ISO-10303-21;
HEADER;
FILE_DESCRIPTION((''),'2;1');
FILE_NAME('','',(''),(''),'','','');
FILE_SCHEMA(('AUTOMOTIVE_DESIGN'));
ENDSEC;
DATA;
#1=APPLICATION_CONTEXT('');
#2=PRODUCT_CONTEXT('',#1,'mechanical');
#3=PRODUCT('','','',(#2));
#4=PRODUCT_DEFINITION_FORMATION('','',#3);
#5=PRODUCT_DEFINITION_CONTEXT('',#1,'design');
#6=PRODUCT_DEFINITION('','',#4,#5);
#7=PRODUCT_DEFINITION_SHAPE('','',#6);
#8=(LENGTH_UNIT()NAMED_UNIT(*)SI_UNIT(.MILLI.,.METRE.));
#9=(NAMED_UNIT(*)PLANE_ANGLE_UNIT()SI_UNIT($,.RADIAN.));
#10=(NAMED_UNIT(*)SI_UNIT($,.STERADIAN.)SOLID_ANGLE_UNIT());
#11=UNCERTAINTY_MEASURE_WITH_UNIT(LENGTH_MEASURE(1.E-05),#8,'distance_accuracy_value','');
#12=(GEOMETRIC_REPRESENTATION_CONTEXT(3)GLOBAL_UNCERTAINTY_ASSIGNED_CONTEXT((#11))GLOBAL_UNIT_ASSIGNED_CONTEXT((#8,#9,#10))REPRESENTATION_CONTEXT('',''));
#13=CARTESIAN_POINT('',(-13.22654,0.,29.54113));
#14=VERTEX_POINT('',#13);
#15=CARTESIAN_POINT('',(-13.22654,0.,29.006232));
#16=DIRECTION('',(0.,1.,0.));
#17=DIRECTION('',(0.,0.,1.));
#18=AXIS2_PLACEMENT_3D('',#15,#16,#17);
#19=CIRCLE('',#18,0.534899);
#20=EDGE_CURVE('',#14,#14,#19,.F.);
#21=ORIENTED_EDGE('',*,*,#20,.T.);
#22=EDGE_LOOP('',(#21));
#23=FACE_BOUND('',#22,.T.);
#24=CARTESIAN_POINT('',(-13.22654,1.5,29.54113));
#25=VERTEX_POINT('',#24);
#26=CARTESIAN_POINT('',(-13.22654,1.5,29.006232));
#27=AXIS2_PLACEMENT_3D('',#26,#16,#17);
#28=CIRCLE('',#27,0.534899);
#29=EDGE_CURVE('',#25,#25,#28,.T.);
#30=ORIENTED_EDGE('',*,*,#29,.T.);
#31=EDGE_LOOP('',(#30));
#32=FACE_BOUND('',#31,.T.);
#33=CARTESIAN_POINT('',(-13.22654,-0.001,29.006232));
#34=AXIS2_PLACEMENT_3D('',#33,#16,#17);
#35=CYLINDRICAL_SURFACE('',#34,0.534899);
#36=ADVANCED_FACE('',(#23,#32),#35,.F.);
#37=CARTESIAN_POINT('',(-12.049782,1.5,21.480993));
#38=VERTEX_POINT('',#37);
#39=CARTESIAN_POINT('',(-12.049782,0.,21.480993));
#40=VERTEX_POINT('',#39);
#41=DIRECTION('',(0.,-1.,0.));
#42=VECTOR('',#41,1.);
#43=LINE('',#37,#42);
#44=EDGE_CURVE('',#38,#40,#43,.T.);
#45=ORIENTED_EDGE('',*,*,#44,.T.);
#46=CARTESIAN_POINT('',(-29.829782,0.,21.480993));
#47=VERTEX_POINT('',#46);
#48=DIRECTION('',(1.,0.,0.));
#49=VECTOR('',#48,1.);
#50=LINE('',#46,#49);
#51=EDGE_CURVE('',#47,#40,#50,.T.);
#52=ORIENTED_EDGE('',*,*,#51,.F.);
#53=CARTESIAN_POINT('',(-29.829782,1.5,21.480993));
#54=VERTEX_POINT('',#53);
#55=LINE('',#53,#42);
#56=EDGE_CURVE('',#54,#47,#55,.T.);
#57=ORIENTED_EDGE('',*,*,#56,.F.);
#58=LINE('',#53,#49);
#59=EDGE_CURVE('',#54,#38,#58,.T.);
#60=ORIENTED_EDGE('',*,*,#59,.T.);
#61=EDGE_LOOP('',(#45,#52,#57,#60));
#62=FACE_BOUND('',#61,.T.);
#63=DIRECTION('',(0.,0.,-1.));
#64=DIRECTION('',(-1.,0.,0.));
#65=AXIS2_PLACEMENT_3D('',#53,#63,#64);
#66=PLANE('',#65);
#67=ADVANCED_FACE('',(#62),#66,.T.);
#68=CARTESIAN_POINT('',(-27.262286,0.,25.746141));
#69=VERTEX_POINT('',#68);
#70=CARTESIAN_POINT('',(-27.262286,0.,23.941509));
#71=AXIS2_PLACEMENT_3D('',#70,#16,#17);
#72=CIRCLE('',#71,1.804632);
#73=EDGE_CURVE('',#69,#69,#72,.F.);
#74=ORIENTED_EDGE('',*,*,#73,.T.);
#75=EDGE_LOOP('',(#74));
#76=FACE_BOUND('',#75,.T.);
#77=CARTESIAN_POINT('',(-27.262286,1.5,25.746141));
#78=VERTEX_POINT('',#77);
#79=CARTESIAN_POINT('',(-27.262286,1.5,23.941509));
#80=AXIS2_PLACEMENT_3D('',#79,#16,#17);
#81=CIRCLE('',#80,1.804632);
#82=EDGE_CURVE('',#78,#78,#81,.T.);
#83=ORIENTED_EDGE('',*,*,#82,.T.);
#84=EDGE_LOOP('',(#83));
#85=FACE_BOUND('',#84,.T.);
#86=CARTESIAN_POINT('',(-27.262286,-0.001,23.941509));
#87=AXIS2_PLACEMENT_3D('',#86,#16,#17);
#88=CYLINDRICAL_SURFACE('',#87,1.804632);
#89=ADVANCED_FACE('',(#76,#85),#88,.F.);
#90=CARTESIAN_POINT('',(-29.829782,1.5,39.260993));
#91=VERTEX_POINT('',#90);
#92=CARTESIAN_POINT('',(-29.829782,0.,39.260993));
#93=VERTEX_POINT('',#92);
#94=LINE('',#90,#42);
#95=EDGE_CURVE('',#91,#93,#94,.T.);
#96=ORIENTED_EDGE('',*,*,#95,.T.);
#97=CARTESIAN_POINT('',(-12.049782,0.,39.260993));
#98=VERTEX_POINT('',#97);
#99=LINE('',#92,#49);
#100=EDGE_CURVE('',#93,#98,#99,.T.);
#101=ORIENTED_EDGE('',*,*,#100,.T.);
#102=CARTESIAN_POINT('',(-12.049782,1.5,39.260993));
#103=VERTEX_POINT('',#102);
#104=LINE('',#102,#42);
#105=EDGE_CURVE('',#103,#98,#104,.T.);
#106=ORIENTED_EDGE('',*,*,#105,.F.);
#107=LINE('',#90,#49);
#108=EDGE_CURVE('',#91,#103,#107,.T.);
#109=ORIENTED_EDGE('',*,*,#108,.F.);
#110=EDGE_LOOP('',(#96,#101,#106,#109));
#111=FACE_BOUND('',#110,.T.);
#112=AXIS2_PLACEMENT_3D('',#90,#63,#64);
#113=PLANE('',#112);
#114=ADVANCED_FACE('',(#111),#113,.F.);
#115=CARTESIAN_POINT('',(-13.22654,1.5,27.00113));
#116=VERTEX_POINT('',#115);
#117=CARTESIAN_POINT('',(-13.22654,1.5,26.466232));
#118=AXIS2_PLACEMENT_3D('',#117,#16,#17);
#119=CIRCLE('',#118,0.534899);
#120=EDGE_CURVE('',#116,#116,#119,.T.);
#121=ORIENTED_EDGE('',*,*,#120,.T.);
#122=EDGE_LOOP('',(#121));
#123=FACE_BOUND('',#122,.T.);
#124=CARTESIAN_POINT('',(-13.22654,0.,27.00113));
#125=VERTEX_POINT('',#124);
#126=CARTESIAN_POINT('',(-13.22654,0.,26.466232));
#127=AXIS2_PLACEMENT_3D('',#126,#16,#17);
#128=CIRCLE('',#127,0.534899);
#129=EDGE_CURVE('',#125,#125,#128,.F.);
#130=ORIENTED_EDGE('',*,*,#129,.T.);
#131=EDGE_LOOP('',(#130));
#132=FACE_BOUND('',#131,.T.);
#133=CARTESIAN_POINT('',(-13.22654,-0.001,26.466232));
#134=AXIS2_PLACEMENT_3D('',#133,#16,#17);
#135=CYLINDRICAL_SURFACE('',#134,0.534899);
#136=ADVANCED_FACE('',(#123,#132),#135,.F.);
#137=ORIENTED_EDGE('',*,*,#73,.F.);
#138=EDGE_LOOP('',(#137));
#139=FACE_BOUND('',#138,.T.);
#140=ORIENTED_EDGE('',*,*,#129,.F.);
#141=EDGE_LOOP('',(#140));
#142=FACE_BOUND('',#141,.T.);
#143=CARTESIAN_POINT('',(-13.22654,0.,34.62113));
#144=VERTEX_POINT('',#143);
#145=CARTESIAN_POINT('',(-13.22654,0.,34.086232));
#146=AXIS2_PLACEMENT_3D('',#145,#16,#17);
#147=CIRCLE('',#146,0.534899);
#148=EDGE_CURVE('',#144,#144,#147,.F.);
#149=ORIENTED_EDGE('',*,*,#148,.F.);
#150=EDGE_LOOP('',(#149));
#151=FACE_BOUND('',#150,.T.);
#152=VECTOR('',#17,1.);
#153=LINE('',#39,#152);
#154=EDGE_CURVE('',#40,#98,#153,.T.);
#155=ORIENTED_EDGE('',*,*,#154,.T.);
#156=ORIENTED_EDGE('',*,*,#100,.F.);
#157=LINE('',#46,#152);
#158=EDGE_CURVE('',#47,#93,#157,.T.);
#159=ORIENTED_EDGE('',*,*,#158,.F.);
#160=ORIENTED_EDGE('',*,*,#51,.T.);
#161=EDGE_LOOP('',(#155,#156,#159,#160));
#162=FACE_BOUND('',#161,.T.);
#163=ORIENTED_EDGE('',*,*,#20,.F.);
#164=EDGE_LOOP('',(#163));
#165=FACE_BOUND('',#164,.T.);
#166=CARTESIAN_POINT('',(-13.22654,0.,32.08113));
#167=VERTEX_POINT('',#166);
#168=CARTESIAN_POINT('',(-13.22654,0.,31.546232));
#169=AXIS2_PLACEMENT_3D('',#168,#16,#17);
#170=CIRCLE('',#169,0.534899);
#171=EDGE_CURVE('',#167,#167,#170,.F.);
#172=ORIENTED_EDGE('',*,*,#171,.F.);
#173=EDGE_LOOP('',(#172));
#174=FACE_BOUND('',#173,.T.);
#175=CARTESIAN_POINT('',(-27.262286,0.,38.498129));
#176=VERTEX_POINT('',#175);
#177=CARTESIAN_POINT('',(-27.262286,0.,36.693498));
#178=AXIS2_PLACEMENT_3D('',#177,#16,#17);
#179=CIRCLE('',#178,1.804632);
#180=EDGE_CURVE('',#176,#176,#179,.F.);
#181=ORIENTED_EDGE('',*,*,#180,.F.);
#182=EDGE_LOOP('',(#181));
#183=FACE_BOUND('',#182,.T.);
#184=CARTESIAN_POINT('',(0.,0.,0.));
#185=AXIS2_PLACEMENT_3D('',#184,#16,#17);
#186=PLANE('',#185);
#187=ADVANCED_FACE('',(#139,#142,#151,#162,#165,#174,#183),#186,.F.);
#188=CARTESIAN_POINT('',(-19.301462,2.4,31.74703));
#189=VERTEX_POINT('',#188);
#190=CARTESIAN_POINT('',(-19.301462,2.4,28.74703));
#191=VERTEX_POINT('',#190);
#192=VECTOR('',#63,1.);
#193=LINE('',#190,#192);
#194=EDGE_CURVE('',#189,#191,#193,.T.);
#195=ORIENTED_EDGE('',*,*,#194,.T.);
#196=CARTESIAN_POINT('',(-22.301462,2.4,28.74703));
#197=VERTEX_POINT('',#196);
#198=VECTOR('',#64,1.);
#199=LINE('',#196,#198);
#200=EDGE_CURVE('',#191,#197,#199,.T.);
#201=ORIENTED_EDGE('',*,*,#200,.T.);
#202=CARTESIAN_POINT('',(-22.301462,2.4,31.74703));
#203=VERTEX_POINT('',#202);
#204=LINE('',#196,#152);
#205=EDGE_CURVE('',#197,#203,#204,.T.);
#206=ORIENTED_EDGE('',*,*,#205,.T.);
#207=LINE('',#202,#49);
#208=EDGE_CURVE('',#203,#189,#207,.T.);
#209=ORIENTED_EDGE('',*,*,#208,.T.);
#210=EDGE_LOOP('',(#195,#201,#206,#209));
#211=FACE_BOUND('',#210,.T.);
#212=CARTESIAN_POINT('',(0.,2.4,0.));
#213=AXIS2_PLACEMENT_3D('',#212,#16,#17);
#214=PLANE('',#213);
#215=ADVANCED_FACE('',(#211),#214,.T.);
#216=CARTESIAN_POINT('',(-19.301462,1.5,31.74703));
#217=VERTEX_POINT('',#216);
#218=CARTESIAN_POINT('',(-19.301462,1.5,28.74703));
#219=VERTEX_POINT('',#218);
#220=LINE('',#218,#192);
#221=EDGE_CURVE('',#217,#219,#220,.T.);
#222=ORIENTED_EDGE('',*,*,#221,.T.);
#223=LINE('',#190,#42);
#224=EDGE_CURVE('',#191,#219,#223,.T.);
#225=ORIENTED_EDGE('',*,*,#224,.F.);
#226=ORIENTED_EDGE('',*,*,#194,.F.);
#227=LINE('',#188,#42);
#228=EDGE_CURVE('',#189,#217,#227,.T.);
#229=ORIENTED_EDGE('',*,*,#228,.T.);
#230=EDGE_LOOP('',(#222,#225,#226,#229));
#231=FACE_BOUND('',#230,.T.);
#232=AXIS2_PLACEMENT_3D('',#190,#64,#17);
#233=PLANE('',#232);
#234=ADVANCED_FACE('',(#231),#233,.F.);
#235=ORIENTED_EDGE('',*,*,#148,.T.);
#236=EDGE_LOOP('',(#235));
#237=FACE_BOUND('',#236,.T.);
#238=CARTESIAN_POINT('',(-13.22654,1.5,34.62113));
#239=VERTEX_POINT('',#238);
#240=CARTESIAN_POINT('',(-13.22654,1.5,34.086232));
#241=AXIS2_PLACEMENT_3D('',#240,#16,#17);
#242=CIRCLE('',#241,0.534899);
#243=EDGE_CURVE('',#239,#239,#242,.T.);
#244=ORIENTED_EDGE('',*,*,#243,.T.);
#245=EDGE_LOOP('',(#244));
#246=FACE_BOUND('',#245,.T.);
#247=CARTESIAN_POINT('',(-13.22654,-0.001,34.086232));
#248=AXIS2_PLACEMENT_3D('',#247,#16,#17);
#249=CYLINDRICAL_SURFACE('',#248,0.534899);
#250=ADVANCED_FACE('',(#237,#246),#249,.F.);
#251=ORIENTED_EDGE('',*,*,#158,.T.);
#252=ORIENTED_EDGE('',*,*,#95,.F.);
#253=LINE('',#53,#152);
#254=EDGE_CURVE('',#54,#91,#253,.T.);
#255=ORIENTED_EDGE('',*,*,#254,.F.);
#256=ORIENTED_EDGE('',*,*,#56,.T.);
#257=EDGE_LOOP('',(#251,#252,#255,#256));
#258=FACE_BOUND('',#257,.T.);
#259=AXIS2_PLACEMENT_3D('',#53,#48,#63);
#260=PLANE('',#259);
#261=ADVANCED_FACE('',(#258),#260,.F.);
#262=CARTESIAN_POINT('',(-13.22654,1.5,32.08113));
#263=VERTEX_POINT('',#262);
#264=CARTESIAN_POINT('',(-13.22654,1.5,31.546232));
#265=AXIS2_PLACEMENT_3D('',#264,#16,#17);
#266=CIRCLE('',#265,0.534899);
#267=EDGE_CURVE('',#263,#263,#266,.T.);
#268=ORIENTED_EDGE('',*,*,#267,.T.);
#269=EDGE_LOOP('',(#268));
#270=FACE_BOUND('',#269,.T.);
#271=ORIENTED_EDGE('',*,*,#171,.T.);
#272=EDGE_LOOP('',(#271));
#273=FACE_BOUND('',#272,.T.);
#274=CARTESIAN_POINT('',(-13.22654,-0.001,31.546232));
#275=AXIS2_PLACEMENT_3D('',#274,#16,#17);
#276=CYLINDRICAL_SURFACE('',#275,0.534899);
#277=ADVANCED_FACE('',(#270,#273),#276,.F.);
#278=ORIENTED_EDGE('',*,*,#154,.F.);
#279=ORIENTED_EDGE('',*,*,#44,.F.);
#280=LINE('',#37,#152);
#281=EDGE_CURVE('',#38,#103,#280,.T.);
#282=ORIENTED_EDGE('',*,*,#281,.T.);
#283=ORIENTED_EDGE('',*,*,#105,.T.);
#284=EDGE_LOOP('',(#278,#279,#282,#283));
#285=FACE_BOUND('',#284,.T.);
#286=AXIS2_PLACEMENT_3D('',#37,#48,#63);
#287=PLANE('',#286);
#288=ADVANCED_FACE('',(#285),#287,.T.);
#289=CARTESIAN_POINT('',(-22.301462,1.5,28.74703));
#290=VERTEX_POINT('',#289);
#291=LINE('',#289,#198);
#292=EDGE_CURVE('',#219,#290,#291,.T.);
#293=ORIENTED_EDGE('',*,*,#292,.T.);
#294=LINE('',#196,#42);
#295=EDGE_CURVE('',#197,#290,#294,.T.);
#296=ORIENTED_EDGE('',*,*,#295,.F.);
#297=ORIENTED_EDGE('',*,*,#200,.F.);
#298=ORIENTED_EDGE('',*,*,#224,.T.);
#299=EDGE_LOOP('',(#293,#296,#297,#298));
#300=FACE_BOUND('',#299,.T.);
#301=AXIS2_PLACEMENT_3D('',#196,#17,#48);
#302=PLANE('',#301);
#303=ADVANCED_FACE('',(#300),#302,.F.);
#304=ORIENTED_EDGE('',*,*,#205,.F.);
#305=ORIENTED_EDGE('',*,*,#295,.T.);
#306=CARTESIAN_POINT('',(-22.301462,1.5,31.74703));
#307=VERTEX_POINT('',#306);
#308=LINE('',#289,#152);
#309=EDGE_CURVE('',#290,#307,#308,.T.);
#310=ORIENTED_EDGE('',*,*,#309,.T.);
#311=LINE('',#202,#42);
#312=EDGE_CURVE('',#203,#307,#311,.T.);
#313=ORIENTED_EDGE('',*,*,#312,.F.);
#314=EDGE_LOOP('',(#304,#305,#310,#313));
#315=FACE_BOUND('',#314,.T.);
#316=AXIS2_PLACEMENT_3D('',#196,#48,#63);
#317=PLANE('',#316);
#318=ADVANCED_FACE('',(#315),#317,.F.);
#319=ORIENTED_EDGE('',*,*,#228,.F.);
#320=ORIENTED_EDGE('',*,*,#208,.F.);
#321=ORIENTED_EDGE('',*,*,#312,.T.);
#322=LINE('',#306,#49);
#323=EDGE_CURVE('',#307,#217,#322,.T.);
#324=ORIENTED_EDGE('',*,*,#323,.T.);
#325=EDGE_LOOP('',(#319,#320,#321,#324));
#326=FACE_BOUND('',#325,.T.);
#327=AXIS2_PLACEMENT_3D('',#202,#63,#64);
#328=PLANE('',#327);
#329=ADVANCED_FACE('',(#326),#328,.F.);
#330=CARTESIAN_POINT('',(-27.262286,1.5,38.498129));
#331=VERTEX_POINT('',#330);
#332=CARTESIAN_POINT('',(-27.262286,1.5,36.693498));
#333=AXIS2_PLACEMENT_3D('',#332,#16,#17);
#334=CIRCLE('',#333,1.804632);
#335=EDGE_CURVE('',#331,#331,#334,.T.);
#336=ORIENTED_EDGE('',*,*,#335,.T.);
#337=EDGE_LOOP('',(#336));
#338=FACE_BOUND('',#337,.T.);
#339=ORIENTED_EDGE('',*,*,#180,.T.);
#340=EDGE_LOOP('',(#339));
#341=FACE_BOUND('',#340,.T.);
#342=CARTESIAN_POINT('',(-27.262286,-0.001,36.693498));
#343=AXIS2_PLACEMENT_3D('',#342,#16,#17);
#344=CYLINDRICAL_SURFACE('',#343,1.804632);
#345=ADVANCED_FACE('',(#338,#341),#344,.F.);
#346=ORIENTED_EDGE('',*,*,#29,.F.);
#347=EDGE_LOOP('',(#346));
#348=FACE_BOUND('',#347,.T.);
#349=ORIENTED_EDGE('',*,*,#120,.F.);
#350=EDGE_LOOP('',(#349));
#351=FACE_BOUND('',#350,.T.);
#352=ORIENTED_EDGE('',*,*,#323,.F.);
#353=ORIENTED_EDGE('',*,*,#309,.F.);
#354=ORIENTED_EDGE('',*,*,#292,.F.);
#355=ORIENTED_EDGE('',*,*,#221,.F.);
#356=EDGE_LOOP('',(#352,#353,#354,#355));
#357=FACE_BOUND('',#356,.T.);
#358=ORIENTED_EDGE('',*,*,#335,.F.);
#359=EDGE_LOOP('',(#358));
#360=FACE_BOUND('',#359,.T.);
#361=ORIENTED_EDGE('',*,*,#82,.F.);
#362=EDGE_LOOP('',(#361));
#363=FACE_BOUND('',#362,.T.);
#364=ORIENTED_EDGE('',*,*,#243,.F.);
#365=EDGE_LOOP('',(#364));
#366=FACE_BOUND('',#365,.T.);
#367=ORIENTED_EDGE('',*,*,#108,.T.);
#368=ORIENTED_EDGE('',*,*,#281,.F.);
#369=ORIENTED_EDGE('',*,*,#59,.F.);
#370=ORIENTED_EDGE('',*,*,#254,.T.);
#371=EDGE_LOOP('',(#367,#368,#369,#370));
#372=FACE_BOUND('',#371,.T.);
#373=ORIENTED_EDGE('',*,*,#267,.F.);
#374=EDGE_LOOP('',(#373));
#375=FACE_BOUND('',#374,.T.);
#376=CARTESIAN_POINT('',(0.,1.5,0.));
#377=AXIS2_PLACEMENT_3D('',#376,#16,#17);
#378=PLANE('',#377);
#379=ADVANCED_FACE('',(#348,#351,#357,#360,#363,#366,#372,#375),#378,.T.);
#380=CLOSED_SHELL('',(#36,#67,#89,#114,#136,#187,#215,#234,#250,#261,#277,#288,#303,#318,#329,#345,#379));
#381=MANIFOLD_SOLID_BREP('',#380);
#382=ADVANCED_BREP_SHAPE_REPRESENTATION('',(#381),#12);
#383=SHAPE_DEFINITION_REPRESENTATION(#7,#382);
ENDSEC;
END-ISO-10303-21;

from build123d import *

# Parameters (mm, degrees)
SKETCH1_W           = 17.78
SKETCH1_H           = 17.78
BOSS_EXTRUDE1_DEPTH = 1.5
CUT_EXTRUDE1_REACH  = 51.33
SKETCH2_R           = 1.804631731
SKETCH2_R_2         = 0.534898854
SKETCH3_W           = 3
SKETCH3_H           = 3
BOSS_EXTRUDE2_DEPTH = 0.9


with BuildPart() as part:
    # Sketch1 → Boss-Extrude1 (new body)
    with BuildSketch(Plane(origin=(0, 0, 0), x_dir=(1, 0, 0), z_dir=(0, 1, 0))):
        with Locations((-20.939781645, -30.370993212)):
            Rectangle(SKETCH1_W, SKETCH1_H)
    extrude(amount=BOSS_EXTRUDE1_DEPTH)

    # Sketch2 → Cut-Extrude1 (cut, up to next)
    with BuildSketch(Plane(origin=(0, 1.5, 0), x_dir=(1, 0, 0), z_dir=(0, 1, 0)), mode=Mode.PRIVATE) as cut_extrude1_sk1:
        with Locations(Location((-27.262286101, -23.941508984, 0), (0, 0, 270))):
            Circle(SKETCH2_R)
    cut_extrude1_tool1 = extrude(cut_extrude1_sk1.sketch, amount=-CUT_EXTRUDE1_REACH, mode=Mode.PRIVATE) & part.part
    # Sketch2 → Cut-Extrude1 (cut, up to next)
    with BuildSketch(Plane(origin=(0, 1.5, 0), x_dir=(1, 0, 0), z_dir=(0, 1, 0)), mode=Mode.PRIVATE) as cut_extrude1_sk2:
        with Locations(Location((-27.262286101, -36.693497669, 0), (0, 0, 270))):
            Circle(SKETCH2_R)
    cut_extrude1_tool2 = extrude(cut_extrude1_sk2.sketch, amount=-CUT_EXTRUDE1_REACH, mode=Mode.PRIVATE) & part.part
    # Sketch2 → Cut-Extrude1 (cut, up to next)
    with BuildSketch(Plane(origin=(0, 1.5, 0), x_dir=(1, 0, 0), z_dir=(0, 1, 0)), mode=Mode.PRIVATE) as cut_extrude1_sk3:
        with Locations(Location((-13.226540167, -26.466231576, 0), (0, 0, 270))):
            Circle(SKETCH2_R_2)
    cut_extrude1_tool3 = extrude(cut_extrude1_sk3.sketch, amount=-CUT_EXTRUDE1_REACH, mode=Mode.PRIVATE) & part.part
    # Sketch2 → Cut-Extrude1 (cut, up to next)
    with BuildSketch(Plane(origin=(0, 1.5, 0), x_dir=(1, 0, 0), z_dir=(0, 1, 0)), mode=Mode.PRIVATE) as cut_extrude1_sk4:
        with Locations(Location((-13.226540167, -29.006231576, 0), (0, 0, 270))):
            Circle(SKETCH2_R_2)
    cut_extrude1_tool4 = extrude(cut_extrude1_sk4.sketch, amount=-CUT_EXTRUDE1_REACH, mode=Mode.PRIVATE) & part.part
    # Sketch2 → Cut-Extrude1 (cut, up to next)
    with BuildSketch(Plane(origin=(0, 1.5, 0), x_dir=(1, 0, 0), z_dir=(0, 1, 0)), mode=Mode.PRIVATE) as cut_extrude1_sk5:
        with Locations(Location((-13.226540167, -31.546231576, 0), (0, 0, 270))):
            Circle(SKETCH2_R_2)
    cut_extrude1_tool5 = extrude(cut_extrude1_sk5.sketch, amount=-CUT_EXTRUDE1_REACH, mode=Mode.PRIVATE) & part.part
    # Sketch2 → Cut-Extrude1 (cut, up to next)
    with BuildSketch(Plane(origin=(0, 1.5, 0), x_dir=(1, 0, 0), z_dir=(0, 1, 0)), mode=Mode.PRIVATE) as cut_extrude1_sk6:
        with Locations(Location((-13.226540167, -34.086231576, 0), (0, 0, 270))):
            Circle(SKETCH2_R_2)
    cut_extrude1_tool6 = extrude(cut_extrude1_sk6.sketch, amount=-CUT_EXTRUDE1_REACH, mode=Mode.PRIVATE) & part.part
    add(cut_extrude1_tool1.solids().sort_by_distance((-27.262286, 1.5, 23.941509))[0], mode=Mode.SUBTRACT)
    add(cut_extrude1_tool2.solids().sort_by_distance((-27.262286, 1.5, 36.693498))[0], mode=Mode.SUBTRACT)
    add(cut_extrude1_tool3.solids().sort_by_distance((-13.22654, 1.5, 26.466232))[0], mode=Mode.SUBTRACT)
    add(cut_extrude1_tool4.solids().sort_by_distance((-13.22654, 1.5, 29.006232))[0], mode=Mode.SUBTRACT)
    add(cut_extrude1_tool5.solids().sort_by_distance((-13.22654, 1.5, 31.546232))[0], mode=Mode.SUBTRACT)
    add(cut_extrude1_tool6.solids().sort_by_distance((-13.22654, 1.5, 34.086232))[0], mode=Mode.SUBTRACT)

    # Sketch3 → Boss-Extrude2 (add)
    with BuildSketch(Plane(origin=(0, 1.5, 0), x_dir=(1, 0, 0), z_dir=(0, 1, 0))):
        with Locations((-20.801462442, -30.247030068)):
            Rectangle(SKETCH3_W, SKETCH3_H)
    extrude(amount=BOSS_EXTRUDE2_DEPTH)


solid = part.part
